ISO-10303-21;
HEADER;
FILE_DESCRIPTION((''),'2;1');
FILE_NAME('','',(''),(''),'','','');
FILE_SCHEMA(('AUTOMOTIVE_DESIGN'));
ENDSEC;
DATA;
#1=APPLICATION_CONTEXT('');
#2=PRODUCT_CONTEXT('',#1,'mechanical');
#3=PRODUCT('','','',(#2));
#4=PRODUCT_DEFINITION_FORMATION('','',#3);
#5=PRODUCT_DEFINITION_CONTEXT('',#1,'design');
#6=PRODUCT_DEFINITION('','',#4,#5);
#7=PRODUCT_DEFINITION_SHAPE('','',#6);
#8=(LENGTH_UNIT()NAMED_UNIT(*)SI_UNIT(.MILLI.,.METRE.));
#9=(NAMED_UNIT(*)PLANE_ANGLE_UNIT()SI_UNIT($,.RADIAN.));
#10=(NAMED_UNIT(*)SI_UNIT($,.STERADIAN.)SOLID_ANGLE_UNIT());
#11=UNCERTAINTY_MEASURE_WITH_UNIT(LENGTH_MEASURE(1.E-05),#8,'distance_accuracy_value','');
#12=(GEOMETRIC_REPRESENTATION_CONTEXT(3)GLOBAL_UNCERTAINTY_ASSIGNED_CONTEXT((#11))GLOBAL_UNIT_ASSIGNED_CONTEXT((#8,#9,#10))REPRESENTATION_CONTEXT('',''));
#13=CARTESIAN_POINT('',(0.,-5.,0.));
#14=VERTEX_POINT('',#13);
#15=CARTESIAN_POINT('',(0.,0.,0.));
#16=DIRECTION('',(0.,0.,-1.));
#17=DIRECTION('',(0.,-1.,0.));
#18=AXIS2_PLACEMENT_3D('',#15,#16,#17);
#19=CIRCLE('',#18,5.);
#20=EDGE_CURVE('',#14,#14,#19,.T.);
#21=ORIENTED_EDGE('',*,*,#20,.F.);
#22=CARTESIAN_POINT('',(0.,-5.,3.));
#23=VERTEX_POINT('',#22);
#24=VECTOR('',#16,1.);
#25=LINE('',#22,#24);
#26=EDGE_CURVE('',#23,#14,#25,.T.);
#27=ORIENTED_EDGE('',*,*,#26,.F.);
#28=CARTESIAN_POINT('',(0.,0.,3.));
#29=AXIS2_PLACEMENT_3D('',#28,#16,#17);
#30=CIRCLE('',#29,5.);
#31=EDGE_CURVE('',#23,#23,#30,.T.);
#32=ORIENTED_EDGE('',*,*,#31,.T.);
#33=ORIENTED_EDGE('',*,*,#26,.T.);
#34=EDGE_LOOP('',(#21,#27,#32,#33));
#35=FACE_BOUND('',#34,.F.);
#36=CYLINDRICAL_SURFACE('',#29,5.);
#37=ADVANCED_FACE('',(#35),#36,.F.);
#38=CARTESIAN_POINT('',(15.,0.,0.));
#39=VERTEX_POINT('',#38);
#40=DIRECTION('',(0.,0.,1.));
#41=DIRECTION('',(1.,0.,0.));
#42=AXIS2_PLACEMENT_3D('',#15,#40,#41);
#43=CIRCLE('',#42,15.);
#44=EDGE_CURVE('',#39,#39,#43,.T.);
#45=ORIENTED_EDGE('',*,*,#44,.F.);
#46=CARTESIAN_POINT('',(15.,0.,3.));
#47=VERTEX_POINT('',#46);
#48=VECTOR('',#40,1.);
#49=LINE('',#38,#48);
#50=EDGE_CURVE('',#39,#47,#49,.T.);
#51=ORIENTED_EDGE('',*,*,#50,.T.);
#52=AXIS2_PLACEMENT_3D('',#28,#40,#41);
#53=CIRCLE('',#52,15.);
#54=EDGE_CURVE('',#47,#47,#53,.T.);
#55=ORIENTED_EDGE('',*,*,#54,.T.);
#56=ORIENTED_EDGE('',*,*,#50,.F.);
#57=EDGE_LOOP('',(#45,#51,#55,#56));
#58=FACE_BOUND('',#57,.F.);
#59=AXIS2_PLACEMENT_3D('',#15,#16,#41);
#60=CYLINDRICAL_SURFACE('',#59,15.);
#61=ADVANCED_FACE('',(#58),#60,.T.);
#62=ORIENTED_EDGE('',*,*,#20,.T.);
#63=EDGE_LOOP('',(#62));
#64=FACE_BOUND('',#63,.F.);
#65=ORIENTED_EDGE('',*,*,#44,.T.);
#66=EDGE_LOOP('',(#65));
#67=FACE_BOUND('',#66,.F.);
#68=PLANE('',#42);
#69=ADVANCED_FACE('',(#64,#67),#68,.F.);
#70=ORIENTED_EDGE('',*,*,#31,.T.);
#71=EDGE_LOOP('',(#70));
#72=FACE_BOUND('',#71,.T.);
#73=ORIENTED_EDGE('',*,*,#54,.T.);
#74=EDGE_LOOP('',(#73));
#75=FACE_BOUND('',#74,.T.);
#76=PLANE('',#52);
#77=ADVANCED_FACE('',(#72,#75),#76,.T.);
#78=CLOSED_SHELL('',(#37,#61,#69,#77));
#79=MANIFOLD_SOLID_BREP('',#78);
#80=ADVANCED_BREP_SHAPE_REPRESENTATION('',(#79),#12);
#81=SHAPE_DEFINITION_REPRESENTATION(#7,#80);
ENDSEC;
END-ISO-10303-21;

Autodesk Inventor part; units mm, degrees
ref_plane "YZ Plane" through (0, 0, 0) normal (1, 0, 0) x (0, 1, 0)
ref_plane "XZ Plane" through (0, 0, 0) normal (0, 1, 0) x (-1, 0, 0)
ref_plane "XY Plane" through (0, 0, 0) normal (0, 0, 1) x (1, 0, 0)
sketch "Sketch1" plane through (0, 0, 0) normal (0, 0, 1) x (1, 0, 0)
  circle A0 centre (0, 0) radius 15
  dimension "d0" = 30
extrude "Extrusion1" add sketch "Sketch1" along normal blind 3
sketch "Sketch2" plane through (0, 0, 3) normal (0, 0, 1) x (1, 0, 0)
  circle A0 centre (0, 0) radius 15 projected
hole "Hole1" at (0, 0, 3) direction (0, 0, -1) diameter 10 end through all
properties part number "PWTR-0113" material "Stainless Steel, 303"
